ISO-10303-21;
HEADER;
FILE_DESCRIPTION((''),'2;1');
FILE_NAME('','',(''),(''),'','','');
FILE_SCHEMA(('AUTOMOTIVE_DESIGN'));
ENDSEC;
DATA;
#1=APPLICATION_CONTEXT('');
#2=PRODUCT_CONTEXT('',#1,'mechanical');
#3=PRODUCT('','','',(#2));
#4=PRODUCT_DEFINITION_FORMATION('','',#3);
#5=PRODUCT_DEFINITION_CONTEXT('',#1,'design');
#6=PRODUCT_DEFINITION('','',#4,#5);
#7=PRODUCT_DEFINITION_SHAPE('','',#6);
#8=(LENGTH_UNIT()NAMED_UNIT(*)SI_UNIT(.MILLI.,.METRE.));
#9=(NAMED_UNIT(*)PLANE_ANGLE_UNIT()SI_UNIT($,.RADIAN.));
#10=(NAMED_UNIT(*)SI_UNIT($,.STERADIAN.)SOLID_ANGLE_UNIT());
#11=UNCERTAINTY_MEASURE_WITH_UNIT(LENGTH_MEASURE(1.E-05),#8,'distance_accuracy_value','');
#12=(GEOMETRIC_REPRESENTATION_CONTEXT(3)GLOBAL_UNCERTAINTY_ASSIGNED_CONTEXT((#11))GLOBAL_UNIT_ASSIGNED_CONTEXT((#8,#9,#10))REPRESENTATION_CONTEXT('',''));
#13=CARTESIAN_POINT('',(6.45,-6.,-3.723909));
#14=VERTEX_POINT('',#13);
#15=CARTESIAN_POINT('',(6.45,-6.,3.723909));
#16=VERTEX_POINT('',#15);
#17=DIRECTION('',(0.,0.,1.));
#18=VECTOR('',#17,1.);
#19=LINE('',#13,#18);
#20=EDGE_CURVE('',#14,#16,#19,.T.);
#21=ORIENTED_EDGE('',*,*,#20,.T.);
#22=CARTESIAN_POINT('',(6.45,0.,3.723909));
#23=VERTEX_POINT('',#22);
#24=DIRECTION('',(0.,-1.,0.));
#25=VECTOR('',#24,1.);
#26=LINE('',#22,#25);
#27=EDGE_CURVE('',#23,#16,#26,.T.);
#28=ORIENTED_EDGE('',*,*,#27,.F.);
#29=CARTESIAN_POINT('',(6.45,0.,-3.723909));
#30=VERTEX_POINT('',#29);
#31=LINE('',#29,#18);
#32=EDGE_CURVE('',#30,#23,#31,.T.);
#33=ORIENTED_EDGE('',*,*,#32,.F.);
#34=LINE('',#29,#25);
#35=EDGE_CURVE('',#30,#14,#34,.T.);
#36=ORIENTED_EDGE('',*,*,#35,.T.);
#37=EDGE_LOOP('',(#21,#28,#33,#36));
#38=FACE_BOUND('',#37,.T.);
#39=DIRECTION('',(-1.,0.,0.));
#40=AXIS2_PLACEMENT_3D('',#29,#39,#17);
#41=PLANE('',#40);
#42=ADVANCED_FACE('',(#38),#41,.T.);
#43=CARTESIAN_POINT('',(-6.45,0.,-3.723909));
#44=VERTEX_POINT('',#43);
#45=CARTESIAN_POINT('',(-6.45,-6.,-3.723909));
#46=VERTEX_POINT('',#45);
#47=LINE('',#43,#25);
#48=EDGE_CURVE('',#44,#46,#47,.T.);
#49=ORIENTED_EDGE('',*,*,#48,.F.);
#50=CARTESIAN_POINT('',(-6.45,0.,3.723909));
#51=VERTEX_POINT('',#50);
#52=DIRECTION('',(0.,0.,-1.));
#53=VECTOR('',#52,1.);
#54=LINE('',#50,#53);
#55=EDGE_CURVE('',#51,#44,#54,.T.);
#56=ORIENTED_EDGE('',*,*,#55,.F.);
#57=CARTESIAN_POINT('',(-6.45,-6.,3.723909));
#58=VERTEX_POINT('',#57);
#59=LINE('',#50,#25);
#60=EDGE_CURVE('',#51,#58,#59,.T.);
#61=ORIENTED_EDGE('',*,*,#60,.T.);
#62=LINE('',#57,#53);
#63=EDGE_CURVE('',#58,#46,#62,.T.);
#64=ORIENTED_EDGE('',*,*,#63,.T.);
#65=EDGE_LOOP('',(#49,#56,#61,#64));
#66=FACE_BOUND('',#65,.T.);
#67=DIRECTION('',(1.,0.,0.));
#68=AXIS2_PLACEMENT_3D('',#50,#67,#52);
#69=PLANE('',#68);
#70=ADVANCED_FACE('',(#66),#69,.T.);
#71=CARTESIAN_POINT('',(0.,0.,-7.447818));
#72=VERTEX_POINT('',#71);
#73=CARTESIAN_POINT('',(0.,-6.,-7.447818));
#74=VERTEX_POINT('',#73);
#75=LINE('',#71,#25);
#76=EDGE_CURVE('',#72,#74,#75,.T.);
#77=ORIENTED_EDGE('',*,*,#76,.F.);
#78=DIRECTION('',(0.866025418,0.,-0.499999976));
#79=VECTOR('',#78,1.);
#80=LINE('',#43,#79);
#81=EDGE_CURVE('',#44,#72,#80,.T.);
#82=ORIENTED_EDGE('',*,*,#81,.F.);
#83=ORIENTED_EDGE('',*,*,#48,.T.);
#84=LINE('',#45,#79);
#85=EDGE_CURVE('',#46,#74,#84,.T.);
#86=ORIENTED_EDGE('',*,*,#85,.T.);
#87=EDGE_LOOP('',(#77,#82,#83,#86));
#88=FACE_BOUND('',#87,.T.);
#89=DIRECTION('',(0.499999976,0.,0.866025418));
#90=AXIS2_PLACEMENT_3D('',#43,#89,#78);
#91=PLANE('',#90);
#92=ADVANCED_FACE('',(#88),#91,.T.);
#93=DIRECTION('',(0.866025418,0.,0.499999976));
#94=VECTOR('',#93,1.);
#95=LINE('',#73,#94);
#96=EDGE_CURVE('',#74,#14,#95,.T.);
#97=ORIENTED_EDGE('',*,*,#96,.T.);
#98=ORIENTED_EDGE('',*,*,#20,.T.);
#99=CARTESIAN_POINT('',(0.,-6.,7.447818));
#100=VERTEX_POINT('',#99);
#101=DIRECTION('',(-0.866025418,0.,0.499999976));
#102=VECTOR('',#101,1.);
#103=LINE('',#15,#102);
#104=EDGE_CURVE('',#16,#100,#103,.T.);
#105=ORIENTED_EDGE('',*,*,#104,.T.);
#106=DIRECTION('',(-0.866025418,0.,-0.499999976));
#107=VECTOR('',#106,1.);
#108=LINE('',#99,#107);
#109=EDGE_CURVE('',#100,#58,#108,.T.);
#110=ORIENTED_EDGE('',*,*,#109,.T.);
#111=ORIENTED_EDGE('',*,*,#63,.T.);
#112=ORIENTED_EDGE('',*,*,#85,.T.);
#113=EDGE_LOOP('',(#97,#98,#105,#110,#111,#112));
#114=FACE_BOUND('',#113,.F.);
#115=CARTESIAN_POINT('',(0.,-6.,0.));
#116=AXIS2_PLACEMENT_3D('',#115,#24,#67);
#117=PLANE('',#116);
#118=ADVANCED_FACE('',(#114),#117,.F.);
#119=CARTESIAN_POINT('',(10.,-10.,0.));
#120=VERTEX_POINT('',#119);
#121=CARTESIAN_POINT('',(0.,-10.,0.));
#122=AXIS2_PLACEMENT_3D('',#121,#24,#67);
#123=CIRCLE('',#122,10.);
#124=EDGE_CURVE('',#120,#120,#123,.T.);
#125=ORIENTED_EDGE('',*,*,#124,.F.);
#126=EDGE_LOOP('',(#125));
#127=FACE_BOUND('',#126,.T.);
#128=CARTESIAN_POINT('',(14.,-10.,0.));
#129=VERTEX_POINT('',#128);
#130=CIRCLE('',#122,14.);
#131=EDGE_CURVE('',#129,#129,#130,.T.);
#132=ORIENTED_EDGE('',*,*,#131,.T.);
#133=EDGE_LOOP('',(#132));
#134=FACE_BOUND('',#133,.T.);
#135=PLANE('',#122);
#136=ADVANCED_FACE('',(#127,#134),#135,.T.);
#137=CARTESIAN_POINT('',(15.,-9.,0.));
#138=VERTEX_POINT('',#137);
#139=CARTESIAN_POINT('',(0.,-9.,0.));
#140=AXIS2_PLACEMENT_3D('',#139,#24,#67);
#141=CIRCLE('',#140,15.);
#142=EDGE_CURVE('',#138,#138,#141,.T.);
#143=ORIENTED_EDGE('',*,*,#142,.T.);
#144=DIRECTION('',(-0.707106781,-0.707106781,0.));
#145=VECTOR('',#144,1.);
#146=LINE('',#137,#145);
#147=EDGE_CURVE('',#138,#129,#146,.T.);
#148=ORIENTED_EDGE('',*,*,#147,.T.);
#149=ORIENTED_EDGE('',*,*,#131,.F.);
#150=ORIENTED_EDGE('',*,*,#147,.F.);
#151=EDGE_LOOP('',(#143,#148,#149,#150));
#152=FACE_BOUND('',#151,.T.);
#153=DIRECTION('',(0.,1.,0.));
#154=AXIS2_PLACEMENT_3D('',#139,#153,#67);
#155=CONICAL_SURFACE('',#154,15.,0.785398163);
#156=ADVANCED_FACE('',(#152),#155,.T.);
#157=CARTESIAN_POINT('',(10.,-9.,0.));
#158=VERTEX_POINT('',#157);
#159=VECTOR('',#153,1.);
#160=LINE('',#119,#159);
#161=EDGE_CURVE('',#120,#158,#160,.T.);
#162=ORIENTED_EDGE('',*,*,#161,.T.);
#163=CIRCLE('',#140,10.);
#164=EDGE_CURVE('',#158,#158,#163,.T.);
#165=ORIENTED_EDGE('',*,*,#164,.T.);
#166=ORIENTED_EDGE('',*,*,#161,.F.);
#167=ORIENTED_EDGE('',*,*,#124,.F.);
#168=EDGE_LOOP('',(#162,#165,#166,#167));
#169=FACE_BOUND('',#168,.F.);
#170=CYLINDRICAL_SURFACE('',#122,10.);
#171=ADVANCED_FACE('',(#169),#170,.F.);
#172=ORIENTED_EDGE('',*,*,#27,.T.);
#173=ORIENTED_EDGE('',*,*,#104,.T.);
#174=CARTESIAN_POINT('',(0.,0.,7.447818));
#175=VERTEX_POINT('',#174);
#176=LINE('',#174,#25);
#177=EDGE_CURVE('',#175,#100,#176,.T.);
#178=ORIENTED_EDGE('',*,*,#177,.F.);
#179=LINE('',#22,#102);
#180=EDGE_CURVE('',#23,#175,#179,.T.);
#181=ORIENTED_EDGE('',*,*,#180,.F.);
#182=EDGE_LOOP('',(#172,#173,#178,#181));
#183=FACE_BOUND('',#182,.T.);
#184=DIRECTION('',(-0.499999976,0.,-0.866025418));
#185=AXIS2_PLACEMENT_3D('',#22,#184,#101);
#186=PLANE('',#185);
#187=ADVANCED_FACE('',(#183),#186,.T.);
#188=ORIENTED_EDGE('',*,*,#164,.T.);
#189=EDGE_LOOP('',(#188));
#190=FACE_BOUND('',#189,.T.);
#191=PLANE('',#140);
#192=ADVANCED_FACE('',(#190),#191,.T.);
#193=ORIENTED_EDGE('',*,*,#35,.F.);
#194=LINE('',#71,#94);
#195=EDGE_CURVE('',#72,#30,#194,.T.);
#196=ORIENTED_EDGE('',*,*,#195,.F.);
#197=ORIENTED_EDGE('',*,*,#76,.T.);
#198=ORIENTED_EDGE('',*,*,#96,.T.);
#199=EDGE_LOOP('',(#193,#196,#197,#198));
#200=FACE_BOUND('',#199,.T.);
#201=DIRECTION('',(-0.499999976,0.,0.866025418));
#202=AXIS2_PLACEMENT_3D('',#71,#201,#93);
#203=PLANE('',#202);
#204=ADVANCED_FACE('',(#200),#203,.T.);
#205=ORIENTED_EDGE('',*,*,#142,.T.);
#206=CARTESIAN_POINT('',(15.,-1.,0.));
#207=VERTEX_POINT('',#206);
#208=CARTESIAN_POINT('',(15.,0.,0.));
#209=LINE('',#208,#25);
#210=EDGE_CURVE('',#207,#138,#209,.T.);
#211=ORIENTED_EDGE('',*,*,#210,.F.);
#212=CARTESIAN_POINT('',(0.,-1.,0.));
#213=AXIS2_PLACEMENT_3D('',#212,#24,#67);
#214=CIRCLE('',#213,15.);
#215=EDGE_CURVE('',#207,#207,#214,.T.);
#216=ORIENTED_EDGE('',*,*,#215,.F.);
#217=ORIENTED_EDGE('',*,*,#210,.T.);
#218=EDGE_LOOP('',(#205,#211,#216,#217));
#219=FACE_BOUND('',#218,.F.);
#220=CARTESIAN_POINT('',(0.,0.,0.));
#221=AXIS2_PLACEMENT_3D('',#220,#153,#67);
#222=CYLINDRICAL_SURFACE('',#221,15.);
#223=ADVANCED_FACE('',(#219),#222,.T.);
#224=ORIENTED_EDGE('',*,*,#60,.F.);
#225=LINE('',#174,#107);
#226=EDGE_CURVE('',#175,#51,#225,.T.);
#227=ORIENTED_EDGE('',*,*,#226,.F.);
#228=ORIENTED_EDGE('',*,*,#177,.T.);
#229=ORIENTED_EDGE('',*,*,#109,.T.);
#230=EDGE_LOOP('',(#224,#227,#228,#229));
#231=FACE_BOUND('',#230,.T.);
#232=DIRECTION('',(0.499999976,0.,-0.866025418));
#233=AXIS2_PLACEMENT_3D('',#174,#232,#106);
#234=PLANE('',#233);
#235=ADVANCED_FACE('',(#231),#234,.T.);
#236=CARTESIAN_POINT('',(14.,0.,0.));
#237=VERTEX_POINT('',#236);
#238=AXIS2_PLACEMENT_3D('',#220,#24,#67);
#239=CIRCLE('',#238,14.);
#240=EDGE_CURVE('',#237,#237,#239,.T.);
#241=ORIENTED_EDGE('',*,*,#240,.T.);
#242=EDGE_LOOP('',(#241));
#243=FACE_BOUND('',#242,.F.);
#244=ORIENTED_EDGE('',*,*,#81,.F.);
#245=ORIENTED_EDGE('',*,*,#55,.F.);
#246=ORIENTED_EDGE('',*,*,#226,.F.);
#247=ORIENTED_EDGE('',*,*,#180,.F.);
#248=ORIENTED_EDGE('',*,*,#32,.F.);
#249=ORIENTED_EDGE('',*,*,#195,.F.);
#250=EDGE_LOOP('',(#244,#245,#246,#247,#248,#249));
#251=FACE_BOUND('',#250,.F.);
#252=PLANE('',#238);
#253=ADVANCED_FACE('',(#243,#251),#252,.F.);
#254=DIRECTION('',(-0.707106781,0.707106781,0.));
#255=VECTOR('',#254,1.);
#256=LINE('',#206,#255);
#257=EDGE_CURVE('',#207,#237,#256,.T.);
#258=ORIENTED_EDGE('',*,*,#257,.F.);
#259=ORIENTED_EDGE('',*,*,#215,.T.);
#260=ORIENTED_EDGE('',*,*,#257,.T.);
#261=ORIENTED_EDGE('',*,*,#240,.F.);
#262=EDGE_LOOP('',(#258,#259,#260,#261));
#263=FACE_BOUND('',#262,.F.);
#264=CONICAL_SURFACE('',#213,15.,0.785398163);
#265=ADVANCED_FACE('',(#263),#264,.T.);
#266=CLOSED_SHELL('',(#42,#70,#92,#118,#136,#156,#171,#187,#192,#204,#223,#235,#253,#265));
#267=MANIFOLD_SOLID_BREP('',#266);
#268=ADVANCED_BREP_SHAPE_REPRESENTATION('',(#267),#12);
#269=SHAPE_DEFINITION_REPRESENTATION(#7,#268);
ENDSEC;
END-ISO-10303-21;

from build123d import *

# Parameters (mm, degrees)
SKETCH_R        = 15
PAD_DEPTH       = 10
POCKET_DEPTH    = 6
SKETCH002_R     = 10
POCKET001_DEPTH = 1
CHAMFER_SIZE    = 1


with BuildPart() as part:
    # Sketch → Pad (new body)
    with BuildSketch(Plane.XZ):
        Circle(SKETCH_R)
    extrude(amount=PAD_DEPTH)

    # Sketch001 → Pocket (cut)
    with BuildSketch(Plane.XZ):
        Polygon((6.45, -3.723909), (6.45, 3.723909), (0, 7.447818), (-6.45, 3.723909), (-6.45, -3.723909), (0, -7.447818), align=None)
    extrude(amount=POCKET_DEPTH, mode=Mode.SUBTRACT)

    # Sketch002 (on Face3 of Pocket) → Pocket001 (cut)
    with BuildSketch(Plane.XZ.offset(10)):
        Circle(SKETCH002_R)
    extrude(amount=-POCKET001_DEPTH, mode=Mode.SUBTRACT)

    # Chamfer
    chamfer_edges = [part.edges().sort_by_distance(p)[0] for p in [
        (-15, -10, 0),
        (-15, 0, 0),
    ]]
    chamfer(chamfer_edges, length=CHAMFER_SIZE)


solid = part.part
